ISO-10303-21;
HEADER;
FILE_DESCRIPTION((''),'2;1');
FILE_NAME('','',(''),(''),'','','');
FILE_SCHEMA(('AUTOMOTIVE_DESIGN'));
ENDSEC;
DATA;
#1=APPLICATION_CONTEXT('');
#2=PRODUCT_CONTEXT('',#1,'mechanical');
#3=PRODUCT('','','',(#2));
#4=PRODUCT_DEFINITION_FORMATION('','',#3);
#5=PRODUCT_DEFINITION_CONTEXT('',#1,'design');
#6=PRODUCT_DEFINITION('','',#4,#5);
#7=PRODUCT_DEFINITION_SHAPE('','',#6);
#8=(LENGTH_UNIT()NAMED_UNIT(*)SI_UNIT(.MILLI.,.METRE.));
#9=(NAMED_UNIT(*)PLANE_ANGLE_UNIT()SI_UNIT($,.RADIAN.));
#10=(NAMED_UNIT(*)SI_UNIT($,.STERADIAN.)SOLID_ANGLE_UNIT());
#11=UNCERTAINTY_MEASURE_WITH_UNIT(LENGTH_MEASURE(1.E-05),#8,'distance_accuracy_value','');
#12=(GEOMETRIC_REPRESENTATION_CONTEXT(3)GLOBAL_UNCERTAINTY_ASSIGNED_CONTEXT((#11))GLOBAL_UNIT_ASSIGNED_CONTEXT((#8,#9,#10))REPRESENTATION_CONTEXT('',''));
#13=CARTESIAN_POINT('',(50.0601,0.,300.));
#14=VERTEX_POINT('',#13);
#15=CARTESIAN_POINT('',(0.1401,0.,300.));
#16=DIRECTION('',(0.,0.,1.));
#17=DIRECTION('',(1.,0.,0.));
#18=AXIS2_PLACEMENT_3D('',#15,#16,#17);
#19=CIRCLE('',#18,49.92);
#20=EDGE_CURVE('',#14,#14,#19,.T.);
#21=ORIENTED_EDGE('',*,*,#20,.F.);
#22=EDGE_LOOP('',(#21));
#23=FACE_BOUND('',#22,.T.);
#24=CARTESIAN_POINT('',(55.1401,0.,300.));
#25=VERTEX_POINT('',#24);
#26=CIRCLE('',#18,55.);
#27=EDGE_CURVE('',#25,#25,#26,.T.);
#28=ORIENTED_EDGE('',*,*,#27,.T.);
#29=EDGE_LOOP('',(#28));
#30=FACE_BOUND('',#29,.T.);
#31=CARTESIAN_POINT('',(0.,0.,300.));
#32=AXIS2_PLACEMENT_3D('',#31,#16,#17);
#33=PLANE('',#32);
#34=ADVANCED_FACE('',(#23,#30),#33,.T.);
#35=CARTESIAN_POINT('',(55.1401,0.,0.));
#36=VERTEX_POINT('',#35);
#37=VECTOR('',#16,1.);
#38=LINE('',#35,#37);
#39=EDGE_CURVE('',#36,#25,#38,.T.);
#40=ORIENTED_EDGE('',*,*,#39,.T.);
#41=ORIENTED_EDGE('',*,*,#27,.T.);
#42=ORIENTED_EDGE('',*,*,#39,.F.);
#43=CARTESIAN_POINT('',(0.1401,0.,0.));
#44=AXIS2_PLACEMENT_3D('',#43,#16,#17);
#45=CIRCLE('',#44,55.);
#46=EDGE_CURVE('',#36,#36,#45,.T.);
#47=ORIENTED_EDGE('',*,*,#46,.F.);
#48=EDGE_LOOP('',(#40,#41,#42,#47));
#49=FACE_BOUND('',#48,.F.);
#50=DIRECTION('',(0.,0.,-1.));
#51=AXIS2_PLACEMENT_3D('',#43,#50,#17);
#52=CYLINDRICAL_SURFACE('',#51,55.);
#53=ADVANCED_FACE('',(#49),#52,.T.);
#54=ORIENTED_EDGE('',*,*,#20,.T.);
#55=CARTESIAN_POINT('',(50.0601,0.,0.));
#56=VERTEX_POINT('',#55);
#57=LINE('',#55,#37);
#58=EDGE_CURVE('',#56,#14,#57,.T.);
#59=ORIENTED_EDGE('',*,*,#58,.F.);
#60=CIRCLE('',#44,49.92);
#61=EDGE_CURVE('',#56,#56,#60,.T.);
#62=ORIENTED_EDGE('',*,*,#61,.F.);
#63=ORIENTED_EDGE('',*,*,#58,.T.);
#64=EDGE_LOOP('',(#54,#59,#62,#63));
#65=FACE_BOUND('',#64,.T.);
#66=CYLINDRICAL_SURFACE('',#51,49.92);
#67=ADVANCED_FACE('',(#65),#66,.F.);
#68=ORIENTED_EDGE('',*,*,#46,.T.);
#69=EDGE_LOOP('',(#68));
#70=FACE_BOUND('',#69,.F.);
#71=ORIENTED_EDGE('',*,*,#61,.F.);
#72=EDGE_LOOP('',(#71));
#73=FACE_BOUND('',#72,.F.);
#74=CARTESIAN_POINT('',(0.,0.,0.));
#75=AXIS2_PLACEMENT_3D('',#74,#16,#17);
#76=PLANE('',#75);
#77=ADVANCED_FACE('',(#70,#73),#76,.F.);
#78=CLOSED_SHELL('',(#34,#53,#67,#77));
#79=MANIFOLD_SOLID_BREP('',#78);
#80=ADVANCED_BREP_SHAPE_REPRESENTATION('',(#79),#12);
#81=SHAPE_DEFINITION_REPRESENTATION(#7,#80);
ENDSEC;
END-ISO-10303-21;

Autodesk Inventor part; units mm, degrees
ref_plane "YZ Plane" through (0, 0, 0) normal (1, 0, 0) x (0, 1, 0)
ref_plane "XZ Plane" through (0, 0, 0) normal (0, 1, 0) x (-1, 0, 0)
ref_plane "XY Plane" through (0, 0, 0) normal (0, 0, 1) x (1, 0, 0)
sketch "Sketch1" plane through (0, 0, 0) normal (0, 0, 1) x (1, 0, 0)
  circle A0 centre (0.1401, 0) radius 55
  circle A1 centre (0.1401, 0) radius 49.92
  point P0 (0, 0)
  dimension "d1" = 5.08
  dimension "d2" = 110
extrude "Extrusion1" add sketch "Sketch1" along normal blind 300
properties part number "pipe_110mm_0.75m"
